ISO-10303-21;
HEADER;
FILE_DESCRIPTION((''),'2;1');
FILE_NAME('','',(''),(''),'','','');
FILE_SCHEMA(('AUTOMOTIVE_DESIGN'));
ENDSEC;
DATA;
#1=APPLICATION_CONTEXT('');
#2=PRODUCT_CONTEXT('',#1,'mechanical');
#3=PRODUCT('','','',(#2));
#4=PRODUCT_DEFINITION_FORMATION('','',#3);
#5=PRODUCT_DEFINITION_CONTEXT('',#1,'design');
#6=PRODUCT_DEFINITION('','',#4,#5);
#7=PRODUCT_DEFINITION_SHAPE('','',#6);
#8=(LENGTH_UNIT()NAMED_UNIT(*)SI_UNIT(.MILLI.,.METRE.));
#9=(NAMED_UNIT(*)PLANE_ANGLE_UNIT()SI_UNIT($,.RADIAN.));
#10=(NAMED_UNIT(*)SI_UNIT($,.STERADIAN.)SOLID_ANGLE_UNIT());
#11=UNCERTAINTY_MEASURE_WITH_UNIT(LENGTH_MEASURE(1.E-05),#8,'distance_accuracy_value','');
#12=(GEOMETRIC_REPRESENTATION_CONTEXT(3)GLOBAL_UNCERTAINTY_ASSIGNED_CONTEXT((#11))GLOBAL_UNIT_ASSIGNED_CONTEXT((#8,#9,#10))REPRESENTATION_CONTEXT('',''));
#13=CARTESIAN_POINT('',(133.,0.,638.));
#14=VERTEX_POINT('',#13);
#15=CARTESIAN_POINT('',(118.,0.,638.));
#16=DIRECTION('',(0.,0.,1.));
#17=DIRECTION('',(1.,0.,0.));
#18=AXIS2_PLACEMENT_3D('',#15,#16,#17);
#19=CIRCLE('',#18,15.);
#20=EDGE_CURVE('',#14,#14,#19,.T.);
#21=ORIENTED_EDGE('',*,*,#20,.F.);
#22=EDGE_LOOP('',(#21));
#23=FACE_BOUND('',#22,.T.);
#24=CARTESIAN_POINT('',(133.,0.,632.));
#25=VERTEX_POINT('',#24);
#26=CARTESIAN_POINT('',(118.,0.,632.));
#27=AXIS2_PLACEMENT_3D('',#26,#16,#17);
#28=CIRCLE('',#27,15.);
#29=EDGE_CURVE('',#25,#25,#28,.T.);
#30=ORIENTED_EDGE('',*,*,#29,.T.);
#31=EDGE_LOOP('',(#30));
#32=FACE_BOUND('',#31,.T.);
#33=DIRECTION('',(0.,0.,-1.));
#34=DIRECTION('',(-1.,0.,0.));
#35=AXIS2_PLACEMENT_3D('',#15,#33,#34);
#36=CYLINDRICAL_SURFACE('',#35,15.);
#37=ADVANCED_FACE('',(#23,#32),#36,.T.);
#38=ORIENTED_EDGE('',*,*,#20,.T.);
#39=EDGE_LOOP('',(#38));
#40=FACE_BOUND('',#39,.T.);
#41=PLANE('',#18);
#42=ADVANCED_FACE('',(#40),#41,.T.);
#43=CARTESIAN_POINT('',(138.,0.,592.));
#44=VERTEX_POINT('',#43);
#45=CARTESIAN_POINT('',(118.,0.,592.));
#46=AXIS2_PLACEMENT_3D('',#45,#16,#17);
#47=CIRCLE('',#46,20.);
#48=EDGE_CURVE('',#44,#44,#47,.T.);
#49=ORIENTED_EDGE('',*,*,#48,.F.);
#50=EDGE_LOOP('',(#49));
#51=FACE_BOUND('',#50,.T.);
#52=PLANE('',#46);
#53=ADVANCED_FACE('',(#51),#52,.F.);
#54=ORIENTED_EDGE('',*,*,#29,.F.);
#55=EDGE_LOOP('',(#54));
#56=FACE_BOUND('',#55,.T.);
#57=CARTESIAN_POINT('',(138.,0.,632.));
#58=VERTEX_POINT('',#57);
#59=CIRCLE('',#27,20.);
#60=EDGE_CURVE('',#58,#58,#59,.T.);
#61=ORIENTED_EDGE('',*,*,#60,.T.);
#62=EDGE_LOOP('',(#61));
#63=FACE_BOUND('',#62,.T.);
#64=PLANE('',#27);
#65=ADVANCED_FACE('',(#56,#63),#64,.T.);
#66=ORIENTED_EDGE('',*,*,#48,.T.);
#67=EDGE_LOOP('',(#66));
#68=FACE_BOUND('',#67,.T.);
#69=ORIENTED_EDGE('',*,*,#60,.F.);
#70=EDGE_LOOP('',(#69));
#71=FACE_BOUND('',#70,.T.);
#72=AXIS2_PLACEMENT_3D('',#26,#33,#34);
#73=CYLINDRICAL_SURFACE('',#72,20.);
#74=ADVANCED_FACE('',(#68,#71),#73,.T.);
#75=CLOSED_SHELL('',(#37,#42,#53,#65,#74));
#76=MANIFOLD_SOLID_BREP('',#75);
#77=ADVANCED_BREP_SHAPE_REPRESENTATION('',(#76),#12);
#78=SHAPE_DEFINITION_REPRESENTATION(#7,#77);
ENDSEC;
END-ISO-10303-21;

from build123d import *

# Parameters (mm, degrees)
EXTRUDE_START      = 592
EXTRUDE_SKETCH_1_R = 20
EXTRUDE_1_DEPTH    = 40
EXTRUDE_START_2    = 632
EXTRUDE_SKETCH_2_R = 15
EXTRUDE_2_DEPTH    = 6


with BuildPart() as part:
    # Extrude sketch 1 → Extrude 1 (new body)
    with BuildSketch(Plane.XY.offset(EXTRUDE_START)):
        with Locations((118, 0)):
            Circle(EXTRUDE_SKETCH_1_R)
    extrude(amount=EXTRUDE_1_DEPTH)


with BuildPart() as body_2:
    # Extrude sketch 2 → Extrude 2 (new body)
    with BuildSketch(Plane.XY.offset(EXTRUDE_START_2)):
        with Locations((118, 0)):
            Circle(EXTRUDE_SKETCH_2_R)
    extrude(amount=EXTRUDE_2_DEPTH)

    # Combine (weld / assembly of features): union part
    add(part.part)


solid = body_2.part
